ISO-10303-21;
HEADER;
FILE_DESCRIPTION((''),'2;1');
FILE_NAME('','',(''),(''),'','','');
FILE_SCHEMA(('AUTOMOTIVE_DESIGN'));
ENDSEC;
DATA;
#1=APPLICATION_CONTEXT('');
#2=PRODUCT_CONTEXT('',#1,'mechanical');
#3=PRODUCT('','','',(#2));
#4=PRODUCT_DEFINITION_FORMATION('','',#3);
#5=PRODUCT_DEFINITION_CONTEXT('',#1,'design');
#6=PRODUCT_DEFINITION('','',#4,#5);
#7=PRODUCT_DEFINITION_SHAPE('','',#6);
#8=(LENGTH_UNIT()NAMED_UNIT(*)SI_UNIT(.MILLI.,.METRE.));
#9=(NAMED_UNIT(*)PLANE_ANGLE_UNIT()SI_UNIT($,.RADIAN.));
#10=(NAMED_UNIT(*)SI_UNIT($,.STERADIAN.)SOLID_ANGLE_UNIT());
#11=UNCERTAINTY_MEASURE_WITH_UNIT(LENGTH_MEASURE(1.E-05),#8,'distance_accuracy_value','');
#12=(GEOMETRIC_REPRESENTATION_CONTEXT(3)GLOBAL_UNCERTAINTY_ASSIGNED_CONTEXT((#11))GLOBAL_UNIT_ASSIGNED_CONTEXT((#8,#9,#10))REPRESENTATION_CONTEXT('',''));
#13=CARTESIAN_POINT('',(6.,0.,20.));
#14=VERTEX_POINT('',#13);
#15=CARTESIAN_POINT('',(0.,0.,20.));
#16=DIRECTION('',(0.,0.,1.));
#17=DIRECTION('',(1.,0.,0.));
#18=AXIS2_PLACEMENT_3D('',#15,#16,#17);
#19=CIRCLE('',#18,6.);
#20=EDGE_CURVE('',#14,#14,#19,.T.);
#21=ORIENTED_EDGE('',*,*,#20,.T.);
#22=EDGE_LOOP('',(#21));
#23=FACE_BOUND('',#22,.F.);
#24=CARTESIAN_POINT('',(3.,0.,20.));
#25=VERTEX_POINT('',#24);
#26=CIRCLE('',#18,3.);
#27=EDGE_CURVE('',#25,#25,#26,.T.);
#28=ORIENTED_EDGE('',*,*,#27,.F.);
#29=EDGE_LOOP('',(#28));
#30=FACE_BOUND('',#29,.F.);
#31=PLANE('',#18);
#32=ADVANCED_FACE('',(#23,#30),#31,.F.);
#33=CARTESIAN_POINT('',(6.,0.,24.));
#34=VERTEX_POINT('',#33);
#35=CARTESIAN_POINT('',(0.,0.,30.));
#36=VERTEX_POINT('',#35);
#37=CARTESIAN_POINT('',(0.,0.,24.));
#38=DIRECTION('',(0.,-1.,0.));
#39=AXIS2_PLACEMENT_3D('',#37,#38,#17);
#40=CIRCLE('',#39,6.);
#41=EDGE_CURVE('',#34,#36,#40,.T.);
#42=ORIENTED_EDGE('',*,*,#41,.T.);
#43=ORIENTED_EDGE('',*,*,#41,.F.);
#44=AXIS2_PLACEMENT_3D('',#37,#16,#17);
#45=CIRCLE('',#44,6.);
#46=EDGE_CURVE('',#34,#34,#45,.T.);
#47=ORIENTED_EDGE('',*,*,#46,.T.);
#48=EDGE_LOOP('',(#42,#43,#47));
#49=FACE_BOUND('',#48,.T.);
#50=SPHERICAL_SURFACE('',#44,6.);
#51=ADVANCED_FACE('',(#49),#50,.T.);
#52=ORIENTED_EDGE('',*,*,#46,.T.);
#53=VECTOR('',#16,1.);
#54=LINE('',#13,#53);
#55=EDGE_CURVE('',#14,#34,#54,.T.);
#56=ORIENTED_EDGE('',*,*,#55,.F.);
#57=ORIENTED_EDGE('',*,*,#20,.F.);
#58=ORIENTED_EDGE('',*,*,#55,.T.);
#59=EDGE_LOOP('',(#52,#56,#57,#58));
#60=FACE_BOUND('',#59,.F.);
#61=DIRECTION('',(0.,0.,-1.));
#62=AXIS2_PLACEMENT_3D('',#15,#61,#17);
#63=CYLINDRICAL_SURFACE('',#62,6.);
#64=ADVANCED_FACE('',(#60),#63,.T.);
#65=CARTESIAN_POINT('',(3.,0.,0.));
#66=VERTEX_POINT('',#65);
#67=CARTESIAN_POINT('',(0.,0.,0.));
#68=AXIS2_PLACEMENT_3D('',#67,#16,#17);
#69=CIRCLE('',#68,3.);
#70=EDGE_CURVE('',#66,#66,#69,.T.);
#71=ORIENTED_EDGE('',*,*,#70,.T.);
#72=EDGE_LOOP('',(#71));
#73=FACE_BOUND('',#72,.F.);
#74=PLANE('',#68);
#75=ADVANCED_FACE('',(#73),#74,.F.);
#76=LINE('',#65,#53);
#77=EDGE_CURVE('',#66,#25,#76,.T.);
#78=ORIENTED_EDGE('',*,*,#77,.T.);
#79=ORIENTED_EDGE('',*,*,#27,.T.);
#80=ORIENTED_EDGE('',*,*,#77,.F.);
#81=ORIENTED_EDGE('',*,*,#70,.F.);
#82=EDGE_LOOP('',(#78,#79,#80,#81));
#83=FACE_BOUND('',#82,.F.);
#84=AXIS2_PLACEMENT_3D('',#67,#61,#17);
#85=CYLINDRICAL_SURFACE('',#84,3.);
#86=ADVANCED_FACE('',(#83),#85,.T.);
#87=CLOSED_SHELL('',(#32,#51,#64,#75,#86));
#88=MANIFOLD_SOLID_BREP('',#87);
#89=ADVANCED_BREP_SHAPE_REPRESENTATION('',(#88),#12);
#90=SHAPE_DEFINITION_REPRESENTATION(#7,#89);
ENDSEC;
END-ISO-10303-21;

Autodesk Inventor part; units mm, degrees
ref_plane "YZ Plane" through (0, 0, 0) normal (1, 0, 0) x (0, 1, 0)
ref_plane "XZ Plane" through (0, 0, 0) normal (0, 1, 0) x (-1, 0, 0)
sketch "Sketch1" plane through (0, 0, 0) normal (0, 0, 1) x (1, 0, 0)
  circle A0 centre (0, 0) radius 3
  dimension "d0" = 6
ref_plane "Work Plane2" through (0, 0, 36.9492) normal (0, 0, 1) x (0.9887, -0.1496, 0)
extrude "Extrusion2" add sketch "Sketch1" along normal blind 20
sketch "Sketch5" plane through (0, 0, 20) normal (0, 0, 1) x (1, 0, 0)
  circle A0 centre (0, 0) radius 6
  dimension "d9" = 12
extrude "Extrusion3" add sketch "Sketch5" along normal blind 10
fillet "Fillet2" radius 6 1 edges at (-6, 0, 30)
properties part number "handle piston 2"
